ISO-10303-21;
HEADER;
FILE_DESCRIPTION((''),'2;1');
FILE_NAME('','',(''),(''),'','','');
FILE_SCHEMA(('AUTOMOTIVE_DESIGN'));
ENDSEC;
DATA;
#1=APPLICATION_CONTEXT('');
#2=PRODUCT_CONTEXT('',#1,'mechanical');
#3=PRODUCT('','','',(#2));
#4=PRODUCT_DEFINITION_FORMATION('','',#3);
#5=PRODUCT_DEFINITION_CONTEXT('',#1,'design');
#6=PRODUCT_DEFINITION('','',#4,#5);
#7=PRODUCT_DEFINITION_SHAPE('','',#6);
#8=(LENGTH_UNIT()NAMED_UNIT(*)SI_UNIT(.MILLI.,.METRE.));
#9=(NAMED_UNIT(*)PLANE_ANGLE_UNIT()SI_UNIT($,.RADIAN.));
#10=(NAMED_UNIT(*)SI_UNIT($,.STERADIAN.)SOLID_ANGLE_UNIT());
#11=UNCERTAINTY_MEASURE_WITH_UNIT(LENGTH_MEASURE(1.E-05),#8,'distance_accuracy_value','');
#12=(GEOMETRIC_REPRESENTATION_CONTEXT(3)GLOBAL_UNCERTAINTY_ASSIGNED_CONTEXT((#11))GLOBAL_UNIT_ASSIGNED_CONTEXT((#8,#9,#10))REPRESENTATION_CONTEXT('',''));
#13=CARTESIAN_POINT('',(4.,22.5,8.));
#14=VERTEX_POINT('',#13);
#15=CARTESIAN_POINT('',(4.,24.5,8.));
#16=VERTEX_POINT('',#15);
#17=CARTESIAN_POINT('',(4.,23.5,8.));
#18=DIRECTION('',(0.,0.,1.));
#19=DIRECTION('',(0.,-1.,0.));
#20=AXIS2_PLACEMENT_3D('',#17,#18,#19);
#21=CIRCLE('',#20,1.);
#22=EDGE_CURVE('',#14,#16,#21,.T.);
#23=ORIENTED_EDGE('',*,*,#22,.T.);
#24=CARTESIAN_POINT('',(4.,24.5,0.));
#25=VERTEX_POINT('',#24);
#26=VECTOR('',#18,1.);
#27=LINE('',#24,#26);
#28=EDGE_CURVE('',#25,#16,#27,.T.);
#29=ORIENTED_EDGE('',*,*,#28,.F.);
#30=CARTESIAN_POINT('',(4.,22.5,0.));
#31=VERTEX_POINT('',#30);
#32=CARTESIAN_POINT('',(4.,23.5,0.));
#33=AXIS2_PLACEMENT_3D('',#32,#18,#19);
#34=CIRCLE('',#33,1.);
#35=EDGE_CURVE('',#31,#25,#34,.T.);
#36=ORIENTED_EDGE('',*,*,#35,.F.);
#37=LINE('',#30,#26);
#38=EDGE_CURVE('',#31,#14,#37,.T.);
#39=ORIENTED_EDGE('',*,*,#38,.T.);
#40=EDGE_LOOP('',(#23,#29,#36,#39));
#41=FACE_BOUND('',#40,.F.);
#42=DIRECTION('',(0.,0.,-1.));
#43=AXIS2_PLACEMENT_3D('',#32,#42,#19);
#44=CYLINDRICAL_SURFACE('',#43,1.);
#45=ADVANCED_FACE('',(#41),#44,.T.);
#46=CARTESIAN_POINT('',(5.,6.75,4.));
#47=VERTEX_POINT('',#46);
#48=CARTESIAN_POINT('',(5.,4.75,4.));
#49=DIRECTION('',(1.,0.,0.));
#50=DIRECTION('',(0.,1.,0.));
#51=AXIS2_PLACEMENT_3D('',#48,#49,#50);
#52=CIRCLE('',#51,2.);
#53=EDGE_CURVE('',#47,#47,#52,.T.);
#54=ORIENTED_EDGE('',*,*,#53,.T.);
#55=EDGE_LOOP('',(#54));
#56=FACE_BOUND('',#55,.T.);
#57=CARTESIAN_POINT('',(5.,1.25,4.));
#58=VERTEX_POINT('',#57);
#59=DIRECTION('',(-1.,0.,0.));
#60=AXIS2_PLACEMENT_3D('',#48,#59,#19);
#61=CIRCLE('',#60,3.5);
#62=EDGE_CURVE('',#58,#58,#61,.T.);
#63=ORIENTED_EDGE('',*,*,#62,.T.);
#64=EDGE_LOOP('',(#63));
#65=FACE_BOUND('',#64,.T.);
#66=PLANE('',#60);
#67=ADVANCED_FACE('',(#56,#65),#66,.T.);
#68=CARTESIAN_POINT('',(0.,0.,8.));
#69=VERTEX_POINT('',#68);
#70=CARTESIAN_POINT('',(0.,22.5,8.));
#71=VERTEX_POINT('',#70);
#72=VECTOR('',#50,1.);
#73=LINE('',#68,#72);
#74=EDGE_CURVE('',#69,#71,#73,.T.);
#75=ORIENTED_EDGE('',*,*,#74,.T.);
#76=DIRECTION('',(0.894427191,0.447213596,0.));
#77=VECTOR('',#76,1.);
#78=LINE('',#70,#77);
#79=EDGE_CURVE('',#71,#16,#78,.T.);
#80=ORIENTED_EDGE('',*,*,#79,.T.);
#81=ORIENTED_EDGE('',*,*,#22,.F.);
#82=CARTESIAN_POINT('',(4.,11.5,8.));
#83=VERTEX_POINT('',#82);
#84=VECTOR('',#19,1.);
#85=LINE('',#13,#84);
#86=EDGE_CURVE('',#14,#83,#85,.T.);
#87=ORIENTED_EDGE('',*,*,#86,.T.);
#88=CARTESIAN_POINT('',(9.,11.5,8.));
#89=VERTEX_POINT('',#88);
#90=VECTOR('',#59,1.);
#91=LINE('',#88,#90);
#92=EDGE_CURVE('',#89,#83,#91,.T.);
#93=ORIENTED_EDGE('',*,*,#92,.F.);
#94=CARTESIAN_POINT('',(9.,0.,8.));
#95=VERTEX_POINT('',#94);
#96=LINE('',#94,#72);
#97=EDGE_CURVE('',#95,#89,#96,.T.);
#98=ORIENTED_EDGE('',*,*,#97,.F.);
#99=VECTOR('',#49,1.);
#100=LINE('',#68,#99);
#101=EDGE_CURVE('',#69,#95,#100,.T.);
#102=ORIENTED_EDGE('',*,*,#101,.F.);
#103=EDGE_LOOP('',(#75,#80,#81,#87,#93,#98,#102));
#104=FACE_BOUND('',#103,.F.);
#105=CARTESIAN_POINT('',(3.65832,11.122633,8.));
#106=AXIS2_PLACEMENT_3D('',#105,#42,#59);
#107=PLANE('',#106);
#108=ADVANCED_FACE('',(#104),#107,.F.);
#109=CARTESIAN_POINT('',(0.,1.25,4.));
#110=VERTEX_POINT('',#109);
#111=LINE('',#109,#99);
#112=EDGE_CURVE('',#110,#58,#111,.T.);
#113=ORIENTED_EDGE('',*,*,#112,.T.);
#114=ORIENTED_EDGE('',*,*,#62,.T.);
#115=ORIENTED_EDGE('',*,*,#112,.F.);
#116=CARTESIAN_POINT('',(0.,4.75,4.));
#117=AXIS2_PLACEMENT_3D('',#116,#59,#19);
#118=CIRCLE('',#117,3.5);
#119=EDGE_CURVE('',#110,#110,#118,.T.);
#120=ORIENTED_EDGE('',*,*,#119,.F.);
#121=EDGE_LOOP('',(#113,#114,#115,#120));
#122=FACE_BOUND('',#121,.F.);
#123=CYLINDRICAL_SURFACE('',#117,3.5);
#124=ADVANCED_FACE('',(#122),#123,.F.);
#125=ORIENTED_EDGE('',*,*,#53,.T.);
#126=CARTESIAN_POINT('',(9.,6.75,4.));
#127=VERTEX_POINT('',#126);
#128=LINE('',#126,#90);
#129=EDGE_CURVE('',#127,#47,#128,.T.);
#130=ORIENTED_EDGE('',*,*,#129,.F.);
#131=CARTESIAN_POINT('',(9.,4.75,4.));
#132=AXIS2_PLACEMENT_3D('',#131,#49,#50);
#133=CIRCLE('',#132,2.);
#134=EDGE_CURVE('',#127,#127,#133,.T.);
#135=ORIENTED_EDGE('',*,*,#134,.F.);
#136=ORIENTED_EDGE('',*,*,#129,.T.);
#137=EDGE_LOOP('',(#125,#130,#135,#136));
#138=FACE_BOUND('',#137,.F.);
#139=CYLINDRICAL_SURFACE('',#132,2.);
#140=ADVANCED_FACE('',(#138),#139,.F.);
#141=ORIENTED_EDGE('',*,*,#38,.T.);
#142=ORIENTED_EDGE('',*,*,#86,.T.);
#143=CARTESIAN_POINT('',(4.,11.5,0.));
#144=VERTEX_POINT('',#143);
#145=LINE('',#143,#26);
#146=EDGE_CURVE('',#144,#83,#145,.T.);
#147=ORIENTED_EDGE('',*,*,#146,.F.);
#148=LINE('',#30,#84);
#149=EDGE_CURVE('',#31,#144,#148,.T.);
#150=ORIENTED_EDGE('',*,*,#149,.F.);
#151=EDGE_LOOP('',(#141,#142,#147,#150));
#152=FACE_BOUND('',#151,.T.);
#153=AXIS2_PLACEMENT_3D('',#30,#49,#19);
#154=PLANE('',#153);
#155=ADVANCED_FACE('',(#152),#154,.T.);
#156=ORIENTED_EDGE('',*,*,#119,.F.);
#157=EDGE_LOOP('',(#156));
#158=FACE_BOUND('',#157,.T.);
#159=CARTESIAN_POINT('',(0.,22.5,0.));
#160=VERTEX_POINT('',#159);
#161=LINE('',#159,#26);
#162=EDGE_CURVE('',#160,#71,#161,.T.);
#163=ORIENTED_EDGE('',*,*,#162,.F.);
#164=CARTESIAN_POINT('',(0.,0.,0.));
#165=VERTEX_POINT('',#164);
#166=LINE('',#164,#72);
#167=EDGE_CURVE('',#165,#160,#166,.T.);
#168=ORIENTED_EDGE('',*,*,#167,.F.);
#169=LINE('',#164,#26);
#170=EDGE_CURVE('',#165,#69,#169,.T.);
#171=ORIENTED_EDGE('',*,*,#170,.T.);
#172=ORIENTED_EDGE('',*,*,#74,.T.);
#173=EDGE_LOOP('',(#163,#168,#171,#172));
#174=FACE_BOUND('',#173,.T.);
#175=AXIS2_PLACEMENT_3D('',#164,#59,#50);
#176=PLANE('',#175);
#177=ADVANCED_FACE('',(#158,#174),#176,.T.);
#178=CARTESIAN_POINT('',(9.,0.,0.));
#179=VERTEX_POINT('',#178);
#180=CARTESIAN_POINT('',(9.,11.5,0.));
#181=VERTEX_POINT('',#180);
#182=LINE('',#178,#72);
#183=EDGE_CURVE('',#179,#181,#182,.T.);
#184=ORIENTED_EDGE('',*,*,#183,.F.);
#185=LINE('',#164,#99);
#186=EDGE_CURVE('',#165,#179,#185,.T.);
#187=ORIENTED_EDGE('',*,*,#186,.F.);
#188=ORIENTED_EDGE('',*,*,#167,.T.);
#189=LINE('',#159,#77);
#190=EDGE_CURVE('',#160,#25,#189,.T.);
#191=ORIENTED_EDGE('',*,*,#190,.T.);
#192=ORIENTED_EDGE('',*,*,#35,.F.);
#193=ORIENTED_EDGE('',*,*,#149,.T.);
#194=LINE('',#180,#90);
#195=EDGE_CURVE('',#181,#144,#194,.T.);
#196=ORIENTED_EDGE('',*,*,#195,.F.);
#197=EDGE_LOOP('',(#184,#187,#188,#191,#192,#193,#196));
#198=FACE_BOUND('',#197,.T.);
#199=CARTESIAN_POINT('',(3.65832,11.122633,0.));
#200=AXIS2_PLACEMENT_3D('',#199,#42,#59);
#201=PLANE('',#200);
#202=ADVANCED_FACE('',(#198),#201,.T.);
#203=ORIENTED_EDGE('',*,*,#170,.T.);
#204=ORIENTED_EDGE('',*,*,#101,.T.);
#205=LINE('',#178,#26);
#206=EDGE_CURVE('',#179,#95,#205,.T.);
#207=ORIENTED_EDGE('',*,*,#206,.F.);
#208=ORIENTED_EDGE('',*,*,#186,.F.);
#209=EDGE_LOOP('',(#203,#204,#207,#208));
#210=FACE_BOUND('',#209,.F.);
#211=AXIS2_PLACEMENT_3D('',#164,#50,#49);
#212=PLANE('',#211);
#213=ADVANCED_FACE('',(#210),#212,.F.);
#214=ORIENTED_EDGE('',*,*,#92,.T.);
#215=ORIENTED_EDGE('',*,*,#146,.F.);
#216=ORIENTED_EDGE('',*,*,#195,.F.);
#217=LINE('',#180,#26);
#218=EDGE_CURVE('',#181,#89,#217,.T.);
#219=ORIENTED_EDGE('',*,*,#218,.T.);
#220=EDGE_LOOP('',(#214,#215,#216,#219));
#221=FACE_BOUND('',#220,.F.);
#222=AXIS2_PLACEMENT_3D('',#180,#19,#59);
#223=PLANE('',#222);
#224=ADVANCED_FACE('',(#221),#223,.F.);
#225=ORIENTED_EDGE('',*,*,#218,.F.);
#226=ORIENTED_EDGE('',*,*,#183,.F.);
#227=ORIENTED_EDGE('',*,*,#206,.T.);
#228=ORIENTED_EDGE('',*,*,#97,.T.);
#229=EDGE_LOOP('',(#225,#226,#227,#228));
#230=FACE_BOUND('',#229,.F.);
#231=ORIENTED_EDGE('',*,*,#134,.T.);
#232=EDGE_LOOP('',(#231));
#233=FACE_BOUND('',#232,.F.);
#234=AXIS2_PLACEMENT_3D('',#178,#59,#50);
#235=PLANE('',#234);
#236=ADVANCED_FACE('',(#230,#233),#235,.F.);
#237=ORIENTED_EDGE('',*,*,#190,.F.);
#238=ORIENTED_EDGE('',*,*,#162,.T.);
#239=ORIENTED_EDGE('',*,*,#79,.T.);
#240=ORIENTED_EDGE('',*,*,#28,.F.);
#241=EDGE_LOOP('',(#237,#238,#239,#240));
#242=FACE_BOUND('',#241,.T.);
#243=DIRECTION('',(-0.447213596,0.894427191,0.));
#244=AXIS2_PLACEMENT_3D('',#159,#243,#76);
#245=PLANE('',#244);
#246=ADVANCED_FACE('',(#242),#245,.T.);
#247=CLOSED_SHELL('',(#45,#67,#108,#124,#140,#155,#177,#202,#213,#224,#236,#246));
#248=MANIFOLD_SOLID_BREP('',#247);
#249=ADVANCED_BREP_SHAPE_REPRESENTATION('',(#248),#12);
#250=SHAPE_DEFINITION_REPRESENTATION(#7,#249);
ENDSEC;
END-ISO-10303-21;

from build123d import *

# Parameters (mm, degrees)
PAD_DEPTH       = 8
SKETCH001_R     = 2
POCKET_DEPTH    = 9
SKETCH002_R     = 3.5
POCKET001_DEPTH = 5


with BuildPart() as part:
    # Sketch → Pad (new body)
    with BuildSketch(Plane.XY):
        with BuildLine():
            Line((0, 0), (0, 22.5))
            Line((0, 22.5), (4, 24.5))
            ThreePointArc((4, 22.5), (5, 23.5), (4, 24.5))
            Line((4, 22.5), (4, 11.5))
            Line((9, 11.5), (4, 11.5))
            Line((9, 0), (9, 11.5))
            Line((0, 0), (9, 0))
        make_face()
    extrude(amount=PAD_DEPTH)

    # Sketch001 (on Face6 of Pad) → Pocket (cut)
    with BuildSketch(Plane.YZ.offset(9)):
        with Locations((4.75, 4)):
            Circle(SKETCH001_R)
    extrude(amount=-POCKET_DEPTH, mode=Mode.SUBTRACT)

    # Sketch002 (on Face1 of Pocket) → Pocket001 (cut)
    with BuildSketch(Plane(origin=(0, 0, 0), x_dir=(0, -1, 0), z_dir=(-1, 0, 0))):
        with Locations((-4.75, 4)):
            Circle(SKETCH002_R)
    extrude(amount=-POCKET001_DEPTH, mode=Mode.SUBTRACT)


solid = part.part
